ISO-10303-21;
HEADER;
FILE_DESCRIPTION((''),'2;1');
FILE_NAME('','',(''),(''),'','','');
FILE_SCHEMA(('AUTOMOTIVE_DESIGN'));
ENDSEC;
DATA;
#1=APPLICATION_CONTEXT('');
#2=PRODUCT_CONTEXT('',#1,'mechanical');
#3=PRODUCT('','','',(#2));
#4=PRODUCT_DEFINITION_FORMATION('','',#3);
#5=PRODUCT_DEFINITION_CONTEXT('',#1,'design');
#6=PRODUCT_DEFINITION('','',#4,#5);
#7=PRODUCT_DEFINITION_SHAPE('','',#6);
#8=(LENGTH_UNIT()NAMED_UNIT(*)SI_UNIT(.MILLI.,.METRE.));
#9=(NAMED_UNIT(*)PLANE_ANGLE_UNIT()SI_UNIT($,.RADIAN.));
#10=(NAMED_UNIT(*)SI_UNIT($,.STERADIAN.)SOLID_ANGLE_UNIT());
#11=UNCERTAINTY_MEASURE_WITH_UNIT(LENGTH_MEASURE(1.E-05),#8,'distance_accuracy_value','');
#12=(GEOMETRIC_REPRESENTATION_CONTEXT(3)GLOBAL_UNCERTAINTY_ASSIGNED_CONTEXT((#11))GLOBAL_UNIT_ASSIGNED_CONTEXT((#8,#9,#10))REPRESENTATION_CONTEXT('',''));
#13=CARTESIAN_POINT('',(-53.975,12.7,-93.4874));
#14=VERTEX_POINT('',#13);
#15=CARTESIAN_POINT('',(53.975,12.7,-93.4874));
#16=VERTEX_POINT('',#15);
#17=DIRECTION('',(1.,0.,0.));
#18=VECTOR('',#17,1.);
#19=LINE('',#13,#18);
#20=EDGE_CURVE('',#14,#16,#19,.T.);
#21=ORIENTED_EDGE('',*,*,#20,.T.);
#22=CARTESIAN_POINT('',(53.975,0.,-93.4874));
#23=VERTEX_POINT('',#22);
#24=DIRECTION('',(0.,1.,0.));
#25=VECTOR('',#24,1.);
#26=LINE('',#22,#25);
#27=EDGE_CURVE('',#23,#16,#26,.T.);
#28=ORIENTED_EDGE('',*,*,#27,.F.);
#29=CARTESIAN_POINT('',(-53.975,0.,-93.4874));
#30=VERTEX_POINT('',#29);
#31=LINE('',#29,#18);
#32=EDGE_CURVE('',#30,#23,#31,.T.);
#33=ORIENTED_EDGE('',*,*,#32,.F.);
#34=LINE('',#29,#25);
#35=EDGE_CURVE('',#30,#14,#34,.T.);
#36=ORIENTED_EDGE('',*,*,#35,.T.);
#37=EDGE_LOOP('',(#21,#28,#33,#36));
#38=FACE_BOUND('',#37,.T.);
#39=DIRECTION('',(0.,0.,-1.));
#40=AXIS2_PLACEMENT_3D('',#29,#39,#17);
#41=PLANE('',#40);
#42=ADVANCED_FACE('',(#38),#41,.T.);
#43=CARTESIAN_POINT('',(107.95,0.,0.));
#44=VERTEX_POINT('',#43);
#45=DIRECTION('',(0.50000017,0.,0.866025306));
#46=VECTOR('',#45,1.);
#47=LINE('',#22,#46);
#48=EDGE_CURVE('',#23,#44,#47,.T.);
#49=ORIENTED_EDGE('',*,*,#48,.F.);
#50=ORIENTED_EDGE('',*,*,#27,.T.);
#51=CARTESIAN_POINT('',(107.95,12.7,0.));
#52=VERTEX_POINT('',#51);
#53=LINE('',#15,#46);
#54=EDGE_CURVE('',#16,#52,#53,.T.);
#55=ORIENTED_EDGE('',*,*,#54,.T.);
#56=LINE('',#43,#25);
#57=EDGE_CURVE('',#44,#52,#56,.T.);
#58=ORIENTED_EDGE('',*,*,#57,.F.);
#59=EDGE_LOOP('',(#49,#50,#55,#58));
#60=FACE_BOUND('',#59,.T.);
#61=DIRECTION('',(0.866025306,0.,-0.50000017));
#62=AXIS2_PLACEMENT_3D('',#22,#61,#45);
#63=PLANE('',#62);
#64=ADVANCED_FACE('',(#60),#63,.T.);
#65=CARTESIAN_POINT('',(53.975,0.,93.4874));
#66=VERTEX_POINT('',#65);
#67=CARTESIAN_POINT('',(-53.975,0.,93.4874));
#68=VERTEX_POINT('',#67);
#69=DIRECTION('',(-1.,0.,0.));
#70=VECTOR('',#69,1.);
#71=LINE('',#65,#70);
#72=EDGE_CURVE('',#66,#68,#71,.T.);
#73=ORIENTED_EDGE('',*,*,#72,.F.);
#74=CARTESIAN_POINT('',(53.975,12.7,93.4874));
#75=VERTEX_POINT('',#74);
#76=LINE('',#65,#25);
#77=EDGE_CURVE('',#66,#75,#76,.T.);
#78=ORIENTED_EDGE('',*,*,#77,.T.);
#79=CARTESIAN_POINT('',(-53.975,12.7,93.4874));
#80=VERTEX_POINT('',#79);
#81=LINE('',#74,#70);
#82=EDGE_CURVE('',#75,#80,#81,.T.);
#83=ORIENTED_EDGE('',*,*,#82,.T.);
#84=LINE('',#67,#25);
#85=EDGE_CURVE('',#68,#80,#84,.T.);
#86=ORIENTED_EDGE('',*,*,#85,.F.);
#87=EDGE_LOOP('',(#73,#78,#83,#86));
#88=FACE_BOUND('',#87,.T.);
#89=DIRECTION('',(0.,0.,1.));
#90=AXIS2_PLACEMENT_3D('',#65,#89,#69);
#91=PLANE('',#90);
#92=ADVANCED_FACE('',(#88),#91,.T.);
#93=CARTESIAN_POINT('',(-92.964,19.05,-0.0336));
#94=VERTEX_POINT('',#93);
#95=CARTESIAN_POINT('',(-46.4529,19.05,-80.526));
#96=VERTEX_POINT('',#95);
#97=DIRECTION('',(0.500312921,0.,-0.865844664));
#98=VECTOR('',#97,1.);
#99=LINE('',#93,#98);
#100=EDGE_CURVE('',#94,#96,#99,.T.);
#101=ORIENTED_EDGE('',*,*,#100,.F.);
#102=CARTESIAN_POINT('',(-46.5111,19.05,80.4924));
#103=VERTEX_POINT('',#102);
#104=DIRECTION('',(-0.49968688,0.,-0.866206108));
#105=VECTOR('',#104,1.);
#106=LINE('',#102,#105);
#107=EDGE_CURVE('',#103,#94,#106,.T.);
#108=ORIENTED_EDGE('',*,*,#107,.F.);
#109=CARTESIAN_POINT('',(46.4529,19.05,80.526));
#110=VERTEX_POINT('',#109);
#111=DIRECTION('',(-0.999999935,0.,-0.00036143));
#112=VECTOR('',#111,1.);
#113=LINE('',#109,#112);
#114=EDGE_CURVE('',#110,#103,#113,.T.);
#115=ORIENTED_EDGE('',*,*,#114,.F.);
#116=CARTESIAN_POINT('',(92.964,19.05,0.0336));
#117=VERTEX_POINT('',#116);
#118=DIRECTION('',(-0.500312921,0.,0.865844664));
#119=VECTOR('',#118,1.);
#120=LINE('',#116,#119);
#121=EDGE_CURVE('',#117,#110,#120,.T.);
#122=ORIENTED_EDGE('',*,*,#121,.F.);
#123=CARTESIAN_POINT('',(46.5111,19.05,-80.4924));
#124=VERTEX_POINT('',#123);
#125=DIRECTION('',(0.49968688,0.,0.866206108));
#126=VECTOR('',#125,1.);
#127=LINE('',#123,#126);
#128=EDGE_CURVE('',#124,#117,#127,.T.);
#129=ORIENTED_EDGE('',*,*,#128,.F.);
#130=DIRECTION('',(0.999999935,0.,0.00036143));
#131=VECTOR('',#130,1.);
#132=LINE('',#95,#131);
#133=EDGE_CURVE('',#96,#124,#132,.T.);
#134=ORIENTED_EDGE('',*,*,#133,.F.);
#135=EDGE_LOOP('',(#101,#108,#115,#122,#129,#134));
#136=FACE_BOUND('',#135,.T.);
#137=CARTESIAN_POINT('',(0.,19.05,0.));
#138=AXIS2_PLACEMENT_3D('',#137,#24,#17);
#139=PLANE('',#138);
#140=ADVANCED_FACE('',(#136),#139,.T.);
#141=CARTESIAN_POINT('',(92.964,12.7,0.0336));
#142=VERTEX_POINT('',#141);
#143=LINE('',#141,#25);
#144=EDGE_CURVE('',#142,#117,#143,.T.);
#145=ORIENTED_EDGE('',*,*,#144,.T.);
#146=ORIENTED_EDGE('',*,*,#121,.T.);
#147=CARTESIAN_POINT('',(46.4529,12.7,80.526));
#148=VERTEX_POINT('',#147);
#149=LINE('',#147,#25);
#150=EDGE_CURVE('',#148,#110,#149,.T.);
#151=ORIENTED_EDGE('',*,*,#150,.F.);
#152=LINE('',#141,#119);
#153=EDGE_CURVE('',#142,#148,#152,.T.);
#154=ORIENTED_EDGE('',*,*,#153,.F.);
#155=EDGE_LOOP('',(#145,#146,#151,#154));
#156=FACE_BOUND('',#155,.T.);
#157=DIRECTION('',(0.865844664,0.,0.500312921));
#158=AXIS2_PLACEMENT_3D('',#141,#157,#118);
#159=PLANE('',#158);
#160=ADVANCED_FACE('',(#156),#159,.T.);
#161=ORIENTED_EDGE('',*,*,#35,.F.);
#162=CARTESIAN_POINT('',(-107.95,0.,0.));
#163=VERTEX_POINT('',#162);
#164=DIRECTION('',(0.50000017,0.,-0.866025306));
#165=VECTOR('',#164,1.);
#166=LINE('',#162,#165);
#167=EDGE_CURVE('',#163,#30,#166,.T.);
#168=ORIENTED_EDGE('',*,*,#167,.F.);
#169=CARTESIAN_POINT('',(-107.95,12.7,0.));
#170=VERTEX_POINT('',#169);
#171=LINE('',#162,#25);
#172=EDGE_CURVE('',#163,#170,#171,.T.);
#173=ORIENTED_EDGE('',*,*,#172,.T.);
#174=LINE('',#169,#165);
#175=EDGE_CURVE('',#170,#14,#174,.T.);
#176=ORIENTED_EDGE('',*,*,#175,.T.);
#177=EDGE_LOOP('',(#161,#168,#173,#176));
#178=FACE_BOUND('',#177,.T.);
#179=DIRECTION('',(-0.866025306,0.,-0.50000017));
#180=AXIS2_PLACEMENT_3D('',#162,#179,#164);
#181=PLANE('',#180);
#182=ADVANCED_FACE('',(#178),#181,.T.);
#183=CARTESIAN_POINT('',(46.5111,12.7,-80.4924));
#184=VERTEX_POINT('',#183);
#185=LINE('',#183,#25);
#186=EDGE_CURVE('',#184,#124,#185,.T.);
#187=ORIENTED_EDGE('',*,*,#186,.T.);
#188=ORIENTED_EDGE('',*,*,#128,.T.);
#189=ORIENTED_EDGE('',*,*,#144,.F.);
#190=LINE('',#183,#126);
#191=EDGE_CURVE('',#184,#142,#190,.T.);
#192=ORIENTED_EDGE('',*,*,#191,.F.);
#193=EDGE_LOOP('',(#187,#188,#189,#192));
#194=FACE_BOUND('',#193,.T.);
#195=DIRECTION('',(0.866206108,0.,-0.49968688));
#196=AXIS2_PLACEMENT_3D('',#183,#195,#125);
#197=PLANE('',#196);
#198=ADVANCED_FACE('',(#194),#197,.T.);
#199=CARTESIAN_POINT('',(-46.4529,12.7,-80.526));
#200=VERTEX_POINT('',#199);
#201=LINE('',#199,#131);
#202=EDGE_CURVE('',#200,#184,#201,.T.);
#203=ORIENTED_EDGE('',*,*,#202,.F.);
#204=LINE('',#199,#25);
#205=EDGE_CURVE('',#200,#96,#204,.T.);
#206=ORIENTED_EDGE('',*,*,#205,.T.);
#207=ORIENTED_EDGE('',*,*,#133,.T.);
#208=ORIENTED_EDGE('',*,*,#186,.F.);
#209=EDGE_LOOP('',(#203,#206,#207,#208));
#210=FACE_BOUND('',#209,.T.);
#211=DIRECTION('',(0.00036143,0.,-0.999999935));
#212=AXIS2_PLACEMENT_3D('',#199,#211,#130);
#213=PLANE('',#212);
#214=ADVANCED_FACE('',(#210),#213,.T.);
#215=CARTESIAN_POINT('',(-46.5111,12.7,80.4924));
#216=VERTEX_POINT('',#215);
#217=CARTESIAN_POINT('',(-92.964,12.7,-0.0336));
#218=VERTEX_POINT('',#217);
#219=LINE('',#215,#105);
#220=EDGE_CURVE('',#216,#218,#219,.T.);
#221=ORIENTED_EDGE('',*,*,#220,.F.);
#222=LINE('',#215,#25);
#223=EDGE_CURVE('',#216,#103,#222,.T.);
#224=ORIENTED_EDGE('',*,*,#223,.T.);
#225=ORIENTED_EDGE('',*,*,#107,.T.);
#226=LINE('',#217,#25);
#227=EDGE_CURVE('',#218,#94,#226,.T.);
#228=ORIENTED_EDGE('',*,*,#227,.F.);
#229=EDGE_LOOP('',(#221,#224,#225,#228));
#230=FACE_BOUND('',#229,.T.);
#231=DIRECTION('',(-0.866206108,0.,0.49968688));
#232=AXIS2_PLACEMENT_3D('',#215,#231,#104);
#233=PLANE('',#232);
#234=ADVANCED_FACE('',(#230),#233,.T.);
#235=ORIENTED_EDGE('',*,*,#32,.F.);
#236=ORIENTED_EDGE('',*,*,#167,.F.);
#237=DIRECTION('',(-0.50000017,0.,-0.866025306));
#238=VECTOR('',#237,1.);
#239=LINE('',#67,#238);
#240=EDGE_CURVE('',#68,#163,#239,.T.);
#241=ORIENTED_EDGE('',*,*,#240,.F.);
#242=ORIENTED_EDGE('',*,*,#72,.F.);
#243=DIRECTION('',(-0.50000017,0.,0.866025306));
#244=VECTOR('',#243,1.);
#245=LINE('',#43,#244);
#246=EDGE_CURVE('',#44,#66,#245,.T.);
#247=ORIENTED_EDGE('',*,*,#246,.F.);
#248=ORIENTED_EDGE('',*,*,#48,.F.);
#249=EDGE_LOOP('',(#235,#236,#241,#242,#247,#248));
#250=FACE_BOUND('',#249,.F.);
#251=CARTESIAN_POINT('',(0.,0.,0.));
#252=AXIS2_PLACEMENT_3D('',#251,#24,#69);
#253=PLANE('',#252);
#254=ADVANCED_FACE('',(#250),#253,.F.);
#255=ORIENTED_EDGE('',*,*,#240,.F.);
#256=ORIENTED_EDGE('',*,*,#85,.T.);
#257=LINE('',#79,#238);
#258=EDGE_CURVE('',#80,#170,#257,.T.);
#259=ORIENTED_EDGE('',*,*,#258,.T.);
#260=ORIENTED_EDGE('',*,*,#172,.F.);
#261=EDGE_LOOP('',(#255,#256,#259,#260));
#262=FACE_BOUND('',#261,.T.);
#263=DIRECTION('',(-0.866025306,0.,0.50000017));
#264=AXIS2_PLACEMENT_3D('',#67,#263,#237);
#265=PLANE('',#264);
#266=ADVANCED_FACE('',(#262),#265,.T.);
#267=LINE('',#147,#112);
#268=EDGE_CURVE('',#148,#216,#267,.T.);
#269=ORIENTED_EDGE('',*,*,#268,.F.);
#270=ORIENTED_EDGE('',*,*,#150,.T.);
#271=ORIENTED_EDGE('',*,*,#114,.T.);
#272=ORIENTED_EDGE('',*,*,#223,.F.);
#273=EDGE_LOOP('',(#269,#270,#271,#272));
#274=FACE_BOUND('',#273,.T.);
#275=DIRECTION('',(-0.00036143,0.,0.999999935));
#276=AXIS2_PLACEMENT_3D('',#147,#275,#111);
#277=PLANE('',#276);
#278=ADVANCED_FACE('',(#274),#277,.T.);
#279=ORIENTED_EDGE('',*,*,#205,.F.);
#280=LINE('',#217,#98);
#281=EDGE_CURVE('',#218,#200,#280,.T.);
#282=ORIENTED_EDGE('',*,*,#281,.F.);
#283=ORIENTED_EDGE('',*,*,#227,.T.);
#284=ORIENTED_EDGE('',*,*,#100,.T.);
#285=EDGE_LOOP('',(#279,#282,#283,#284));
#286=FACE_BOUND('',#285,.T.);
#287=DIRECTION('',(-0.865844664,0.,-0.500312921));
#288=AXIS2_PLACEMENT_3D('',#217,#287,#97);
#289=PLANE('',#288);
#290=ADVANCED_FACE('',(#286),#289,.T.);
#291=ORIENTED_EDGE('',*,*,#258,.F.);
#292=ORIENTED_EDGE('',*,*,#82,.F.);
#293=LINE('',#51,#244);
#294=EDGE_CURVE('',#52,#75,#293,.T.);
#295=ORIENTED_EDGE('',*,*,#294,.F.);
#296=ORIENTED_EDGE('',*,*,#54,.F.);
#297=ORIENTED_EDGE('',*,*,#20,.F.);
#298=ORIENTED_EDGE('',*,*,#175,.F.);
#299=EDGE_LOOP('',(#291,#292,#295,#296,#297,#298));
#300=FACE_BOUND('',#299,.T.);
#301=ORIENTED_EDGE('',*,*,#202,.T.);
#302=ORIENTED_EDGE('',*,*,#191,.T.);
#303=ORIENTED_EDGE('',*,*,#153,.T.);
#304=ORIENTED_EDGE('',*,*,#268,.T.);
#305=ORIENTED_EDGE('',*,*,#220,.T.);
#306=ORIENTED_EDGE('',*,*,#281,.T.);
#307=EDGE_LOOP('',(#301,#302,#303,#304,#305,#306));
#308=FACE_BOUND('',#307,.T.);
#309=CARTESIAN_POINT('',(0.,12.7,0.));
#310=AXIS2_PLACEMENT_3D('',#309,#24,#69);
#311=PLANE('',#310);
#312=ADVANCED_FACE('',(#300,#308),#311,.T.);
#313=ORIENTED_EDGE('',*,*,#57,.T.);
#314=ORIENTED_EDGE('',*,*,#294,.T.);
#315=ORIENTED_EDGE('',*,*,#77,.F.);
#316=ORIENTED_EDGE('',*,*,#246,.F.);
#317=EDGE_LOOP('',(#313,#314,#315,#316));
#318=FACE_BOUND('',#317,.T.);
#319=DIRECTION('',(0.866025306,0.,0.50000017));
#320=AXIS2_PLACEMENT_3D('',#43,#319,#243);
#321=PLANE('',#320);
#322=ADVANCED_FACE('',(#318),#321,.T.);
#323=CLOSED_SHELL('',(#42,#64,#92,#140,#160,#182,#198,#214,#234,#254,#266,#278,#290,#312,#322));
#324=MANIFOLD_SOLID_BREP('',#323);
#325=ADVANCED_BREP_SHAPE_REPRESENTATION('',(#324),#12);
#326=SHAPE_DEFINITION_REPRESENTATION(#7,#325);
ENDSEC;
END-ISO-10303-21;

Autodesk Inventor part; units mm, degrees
ref_plane "YZ Plane" through (0, 0, 0) normal (1, 0, 0) x (0, 1, 0)
ref_plane "XZ Plane" through (0, 0, 0) normal (0, 1, 0) x (-1, 0, 0)
ref_plane "XY Plane" through (0, 0, 0) normal (0, 0, 1) x (1, 0, 0)
sketch "Sketch1" plane through (0, 0, 0) normal (0, 1, 0) x (-1, 0, 0)
  line L0 (-107.95, 0) -> (-53.975, 93.4874)
  line L1 (-53.975, 93.4874) -> (53.975, 93.4874)
  line L2 (53.975, 93.4874) -> (107.95, 0)
  line L3 (107.95, 0) -> (53.975, -93.4874)
  line L4 (53.975, -93.4874) -> (-53.975, -93.4874)
  line L5 (-53.975, -93.4874) -> (-107.95, 0)
  line L6 (-95.25, 0.0344) -> (-47.5952, 82.5062)
  line L7 (-47.5952, 82.5062) -> (47.6548, 82.4717)
  line L8 (47.6548, 82.4717) -> (95.25, -0.0344)
  line L9 (95.25, -0.0344) -> (47.5952, -82.5062)
  line L10 (47.5952, -82.5062) -> (-47.6548, -82.4717)
  line L11 (-47.6548, -82.4717) -> (-95.25, 0.0344)
  point P0 (0, 0)
  point P1 (0, 0)
  point P2 (0, 0)
  point P3 (0, 0)
  dimension "d0" = 215.9
  dimension "d1" = 12.7
extrude "Extrusion1" add sketch "Sketch1" along normal blind 12.7 contours L0 L1 L2 L3 L4 L5 | L6 L7 L8 L9 L10 L11
sketch "Sketch2" plane through (0, 12.7, 0) normal (0, 1, 0) x (1, 0, 0)
  line L0 (-107.95, -0.0035) -> (-53.978, 93.4857)
  line L1 (-53.978, 93.4857) -> (53.972, 93.4892)
  line L2 (53.972, 93.4892) -> (107.95, 0.0035)
  line L3 (107.95, 0.0035) -> (53.978, -93.4857)
  line L4 (53.978, -93.4857) -> (-53.972, -93.4892)
  line L5 (-53.972, -93.4892) -> (-107.95, -0.0035)
  line L6 (-92.964, 0.0336) -> (-46.4529, 80.526)
  line L7 (-46.4529, 80.526) -> (46.5111, 80.4924)
  line L8 (46.5111, 80.4924) -> (92.964, -0.0336)
  line L9 (92.964, -0.0336) -> (46.4529, -80.526)
  line L10 (46.4529, -80.526) -> (-46.5111, -80.4924)
  line L11 (-46.5111, -80.4924) -> (-92.964, 0.0336)
  point P0 (0, 0)
  point P1 (0, 0)
  point P2 (0, 0)
  point P3 (0, 0)
  dimension "d4" = 215.9
  dimension "d5" = 14.986
extrude "Extrusion2" add sketch "Sketch2" along normal blind 6.35 contours L6 L7 L8 L9 L10 L11
properties part number "SatelliteBottomFace_v2"
